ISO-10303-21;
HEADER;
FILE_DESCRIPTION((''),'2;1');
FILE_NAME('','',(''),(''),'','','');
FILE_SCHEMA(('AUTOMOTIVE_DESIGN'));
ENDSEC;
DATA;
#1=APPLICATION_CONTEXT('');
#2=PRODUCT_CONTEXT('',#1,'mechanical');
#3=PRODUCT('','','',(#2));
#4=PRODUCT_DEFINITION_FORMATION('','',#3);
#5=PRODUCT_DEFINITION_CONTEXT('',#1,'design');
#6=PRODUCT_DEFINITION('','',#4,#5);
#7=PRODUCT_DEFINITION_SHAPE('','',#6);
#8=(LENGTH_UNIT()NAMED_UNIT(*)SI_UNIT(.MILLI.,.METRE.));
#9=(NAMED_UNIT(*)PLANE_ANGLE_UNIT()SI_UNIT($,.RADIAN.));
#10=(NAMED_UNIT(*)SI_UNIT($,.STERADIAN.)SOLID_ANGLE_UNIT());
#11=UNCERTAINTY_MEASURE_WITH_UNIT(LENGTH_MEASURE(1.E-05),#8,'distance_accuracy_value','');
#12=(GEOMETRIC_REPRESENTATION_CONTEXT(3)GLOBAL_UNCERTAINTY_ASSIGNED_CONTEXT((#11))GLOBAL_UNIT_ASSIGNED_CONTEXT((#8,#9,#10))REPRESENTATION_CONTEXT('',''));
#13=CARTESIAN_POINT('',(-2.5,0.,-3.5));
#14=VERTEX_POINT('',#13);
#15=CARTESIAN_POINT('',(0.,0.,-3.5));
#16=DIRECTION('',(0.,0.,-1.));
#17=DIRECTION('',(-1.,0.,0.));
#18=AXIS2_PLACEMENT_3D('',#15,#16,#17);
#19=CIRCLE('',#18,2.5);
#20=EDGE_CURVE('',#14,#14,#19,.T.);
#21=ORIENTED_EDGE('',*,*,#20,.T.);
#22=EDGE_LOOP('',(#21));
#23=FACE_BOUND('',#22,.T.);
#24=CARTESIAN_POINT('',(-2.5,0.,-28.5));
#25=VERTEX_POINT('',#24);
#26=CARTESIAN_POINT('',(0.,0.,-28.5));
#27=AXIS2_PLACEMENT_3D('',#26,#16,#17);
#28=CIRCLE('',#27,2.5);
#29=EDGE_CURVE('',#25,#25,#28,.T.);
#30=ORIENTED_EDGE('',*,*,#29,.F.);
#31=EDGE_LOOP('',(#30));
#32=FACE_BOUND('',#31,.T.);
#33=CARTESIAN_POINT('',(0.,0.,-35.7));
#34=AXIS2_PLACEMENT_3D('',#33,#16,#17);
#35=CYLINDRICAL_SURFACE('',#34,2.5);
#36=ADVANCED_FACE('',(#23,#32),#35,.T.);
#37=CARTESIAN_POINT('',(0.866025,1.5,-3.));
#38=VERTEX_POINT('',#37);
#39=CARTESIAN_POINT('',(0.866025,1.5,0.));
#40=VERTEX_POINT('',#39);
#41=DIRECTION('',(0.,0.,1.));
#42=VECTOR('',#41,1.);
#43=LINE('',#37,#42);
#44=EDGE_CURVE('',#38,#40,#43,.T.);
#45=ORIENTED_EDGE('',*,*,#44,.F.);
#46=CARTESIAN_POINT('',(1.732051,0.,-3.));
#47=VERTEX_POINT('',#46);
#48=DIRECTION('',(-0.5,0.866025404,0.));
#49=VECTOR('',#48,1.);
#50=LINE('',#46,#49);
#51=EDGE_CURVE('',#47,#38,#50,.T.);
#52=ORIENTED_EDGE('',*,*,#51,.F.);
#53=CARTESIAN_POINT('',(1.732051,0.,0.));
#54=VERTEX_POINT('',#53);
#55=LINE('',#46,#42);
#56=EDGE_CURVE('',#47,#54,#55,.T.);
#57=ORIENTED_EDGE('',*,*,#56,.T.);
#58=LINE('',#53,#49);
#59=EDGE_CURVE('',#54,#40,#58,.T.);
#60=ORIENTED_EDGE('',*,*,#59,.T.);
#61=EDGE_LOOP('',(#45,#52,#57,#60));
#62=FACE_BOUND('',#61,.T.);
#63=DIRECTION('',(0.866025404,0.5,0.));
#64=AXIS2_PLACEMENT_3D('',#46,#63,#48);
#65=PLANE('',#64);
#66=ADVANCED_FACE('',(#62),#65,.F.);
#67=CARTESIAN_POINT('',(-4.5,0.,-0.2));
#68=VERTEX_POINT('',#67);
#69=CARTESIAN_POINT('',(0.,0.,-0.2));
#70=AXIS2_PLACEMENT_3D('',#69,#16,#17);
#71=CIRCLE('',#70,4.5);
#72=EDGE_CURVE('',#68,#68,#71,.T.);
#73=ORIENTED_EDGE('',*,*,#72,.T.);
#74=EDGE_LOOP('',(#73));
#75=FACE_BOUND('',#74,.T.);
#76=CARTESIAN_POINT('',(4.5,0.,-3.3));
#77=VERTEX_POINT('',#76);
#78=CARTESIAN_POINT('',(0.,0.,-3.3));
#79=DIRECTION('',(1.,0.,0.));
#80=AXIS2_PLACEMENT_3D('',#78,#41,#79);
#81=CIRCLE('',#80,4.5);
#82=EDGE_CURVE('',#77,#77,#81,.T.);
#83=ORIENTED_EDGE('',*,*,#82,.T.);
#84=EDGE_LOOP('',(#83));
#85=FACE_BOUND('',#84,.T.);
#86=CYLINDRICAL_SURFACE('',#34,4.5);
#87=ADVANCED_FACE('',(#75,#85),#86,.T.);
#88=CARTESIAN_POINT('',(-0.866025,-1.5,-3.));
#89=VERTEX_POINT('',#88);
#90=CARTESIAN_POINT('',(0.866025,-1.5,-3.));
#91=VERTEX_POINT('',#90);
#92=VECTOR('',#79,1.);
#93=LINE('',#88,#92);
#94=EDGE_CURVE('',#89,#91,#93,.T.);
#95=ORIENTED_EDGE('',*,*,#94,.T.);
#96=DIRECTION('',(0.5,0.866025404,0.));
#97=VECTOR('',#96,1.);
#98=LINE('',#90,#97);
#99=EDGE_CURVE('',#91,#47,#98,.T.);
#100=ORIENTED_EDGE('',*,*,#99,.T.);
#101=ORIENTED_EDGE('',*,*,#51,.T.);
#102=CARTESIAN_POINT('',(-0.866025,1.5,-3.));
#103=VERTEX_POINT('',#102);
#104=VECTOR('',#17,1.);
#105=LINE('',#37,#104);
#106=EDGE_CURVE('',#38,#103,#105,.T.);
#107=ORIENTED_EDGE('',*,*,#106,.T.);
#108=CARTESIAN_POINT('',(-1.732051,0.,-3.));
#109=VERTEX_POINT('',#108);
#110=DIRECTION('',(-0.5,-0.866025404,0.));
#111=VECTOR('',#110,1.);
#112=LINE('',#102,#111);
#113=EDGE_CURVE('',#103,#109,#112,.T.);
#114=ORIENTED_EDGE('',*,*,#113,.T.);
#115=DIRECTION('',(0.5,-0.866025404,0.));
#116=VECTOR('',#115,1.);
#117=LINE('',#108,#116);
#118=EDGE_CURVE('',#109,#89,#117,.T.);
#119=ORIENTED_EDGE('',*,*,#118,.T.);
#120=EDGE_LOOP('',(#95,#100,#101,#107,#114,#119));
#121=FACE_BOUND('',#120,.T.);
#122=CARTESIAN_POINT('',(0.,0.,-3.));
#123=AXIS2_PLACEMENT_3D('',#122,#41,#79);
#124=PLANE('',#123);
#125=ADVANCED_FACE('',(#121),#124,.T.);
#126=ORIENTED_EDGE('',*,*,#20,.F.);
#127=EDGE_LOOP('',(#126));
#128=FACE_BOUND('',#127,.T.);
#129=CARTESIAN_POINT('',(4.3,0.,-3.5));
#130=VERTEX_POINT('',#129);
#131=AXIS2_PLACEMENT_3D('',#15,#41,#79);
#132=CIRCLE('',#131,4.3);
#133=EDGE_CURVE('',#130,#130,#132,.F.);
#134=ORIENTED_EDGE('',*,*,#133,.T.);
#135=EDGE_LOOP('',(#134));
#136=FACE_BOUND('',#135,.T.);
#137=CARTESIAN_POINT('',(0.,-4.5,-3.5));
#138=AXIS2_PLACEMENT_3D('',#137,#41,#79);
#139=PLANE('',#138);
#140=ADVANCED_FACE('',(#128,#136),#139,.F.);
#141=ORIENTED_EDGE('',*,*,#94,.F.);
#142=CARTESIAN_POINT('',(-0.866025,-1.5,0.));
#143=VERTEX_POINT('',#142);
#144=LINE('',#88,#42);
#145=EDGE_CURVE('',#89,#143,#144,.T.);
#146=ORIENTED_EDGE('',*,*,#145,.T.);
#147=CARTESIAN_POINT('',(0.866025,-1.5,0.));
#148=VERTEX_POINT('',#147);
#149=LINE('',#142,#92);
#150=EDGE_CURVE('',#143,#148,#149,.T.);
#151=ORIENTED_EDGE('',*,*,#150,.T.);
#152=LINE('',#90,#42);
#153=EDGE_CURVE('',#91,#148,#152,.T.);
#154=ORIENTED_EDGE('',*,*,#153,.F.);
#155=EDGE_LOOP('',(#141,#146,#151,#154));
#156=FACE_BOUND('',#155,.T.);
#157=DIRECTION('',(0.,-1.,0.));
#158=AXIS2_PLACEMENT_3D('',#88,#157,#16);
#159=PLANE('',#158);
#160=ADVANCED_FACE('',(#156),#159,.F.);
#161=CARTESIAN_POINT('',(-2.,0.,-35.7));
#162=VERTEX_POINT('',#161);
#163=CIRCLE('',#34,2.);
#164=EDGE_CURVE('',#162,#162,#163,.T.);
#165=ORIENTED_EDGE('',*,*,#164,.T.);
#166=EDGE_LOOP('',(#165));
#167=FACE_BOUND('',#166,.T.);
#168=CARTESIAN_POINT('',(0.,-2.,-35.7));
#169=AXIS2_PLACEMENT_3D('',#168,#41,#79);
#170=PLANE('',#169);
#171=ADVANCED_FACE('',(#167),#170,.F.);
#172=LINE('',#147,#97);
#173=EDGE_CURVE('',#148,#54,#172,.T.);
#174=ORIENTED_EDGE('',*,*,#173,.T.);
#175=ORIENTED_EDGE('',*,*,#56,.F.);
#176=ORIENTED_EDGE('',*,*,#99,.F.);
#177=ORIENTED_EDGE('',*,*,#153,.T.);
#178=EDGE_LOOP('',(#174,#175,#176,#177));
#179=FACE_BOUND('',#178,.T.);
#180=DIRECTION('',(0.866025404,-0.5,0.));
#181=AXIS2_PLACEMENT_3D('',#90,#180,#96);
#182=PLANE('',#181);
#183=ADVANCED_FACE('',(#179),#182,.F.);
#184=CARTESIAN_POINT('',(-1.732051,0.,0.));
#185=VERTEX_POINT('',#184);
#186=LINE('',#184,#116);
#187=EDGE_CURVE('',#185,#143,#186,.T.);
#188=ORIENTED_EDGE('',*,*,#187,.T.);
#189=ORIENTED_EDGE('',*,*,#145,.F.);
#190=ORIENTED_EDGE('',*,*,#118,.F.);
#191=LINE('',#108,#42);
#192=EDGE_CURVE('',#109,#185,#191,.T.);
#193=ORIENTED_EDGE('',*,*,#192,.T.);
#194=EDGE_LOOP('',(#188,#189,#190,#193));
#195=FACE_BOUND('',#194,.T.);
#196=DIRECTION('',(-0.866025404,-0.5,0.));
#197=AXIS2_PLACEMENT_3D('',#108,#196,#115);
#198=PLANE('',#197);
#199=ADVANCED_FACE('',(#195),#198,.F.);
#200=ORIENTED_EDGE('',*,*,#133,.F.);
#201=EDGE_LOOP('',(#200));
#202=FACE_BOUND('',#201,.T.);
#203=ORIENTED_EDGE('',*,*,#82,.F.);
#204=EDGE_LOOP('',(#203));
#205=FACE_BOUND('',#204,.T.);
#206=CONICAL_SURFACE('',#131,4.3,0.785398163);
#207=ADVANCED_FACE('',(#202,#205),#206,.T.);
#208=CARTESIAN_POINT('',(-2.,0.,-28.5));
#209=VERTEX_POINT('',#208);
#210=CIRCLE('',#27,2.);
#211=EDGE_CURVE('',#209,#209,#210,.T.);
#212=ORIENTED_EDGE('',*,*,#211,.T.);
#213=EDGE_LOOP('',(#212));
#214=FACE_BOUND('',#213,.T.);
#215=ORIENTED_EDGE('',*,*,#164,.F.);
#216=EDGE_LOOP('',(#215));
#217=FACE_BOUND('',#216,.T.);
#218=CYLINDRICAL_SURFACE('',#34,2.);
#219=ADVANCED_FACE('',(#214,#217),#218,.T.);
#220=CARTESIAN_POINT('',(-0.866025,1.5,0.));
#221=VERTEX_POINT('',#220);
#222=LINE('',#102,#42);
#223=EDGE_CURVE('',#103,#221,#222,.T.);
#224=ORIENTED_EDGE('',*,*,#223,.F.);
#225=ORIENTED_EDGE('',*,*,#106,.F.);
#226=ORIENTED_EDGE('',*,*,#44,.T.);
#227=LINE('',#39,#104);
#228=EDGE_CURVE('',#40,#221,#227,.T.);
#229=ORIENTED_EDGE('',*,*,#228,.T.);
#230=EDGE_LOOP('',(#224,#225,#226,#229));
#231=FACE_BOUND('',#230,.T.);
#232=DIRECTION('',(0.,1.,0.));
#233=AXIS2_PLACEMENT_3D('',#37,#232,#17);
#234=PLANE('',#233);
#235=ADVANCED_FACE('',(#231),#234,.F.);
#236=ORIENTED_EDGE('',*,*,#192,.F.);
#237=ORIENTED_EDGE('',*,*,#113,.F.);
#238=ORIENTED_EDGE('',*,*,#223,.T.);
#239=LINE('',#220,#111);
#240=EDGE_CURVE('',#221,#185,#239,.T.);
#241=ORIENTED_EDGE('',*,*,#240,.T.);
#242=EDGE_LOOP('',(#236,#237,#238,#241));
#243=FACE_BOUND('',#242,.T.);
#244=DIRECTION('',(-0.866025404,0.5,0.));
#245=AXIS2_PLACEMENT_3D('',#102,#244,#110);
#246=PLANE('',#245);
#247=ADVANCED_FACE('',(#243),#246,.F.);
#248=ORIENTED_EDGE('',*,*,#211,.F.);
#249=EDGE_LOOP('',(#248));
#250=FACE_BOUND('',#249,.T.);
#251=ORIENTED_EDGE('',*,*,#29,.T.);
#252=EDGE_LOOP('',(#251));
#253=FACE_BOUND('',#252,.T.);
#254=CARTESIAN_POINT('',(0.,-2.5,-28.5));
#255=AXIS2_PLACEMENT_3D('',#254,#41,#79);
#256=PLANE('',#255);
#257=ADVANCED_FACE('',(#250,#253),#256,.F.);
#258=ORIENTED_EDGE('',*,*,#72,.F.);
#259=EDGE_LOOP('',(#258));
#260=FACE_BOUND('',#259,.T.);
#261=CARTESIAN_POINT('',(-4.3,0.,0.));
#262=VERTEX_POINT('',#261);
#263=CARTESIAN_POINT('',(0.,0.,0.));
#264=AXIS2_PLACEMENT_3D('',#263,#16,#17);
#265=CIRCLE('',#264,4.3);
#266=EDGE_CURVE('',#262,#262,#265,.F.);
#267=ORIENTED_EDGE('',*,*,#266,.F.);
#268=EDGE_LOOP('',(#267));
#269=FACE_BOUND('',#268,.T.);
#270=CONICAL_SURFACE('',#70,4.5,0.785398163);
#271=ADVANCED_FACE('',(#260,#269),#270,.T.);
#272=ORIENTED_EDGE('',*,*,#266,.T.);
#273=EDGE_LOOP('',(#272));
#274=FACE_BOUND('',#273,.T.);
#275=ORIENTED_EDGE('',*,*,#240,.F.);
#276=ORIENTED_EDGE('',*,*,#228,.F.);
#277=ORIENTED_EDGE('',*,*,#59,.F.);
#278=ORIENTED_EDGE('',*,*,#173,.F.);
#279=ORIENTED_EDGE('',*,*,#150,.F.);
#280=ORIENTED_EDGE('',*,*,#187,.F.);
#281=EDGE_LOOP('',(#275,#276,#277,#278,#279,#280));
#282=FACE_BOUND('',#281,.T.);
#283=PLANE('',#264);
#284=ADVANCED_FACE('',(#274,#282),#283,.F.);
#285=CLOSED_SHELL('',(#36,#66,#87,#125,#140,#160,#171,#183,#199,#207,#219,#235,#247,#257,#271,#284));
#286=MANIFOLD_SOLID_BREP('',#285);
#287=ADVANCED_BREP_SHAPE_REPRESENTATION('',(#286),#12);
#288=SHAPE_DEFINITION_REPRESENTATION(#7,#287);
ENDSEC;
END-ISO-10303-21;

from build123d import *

# Parameters (mm, degrees)
CUT_EXTRUDE_1_DEPTH = 3
CHAMFER_1_SIZE      = 0.2


with BuildPart() as part:
    # 草图1 → 旋转1 (revolve)
    with BuildSketch(Plane.YZ, mode=Mode.PRIVATE) as revolve_1_sk:
        Polygon((0, 0), (-4.5, 0), (-4.5, -3.5), (-2.5, -3.5), (-2.5, -28.5), (-2, -28.5), (-2, -35.7), (0, -35.7), align=None)
    revolve(revolve_1_sk.sketch.rotate(Axis((0, 0, -35.7), (0, 0, 1)), 270), axis=Axis((0, 0, -35.7), (0, 0, 1)))

    # 草图2 → 切除-拉伸1 (cut)
    with BuildSketch(Plane.XY):
        Polygon((1.732050808, 0), (0.866025404, 1.5), (-0.866025404, 1.5), (-1.732050808, 0), (-0.866025404, -1.5), (0.866025404, -1.5), align=None)
    extrude(amount=-CUT_EXTRUDE_1_DEPTH, mode=Mode.SUBTRACT)

    # 倒角1
    chamfer_1_edges = [part.edges().sort_by_distance(p)[0] for p in [
        (4.5, 0, -3.5),
        (4.5, 0, 0),
    ]]
    chamfer(chamfer_1_edges, length=CHAMFER_1_SIZE)


solid = part.part
